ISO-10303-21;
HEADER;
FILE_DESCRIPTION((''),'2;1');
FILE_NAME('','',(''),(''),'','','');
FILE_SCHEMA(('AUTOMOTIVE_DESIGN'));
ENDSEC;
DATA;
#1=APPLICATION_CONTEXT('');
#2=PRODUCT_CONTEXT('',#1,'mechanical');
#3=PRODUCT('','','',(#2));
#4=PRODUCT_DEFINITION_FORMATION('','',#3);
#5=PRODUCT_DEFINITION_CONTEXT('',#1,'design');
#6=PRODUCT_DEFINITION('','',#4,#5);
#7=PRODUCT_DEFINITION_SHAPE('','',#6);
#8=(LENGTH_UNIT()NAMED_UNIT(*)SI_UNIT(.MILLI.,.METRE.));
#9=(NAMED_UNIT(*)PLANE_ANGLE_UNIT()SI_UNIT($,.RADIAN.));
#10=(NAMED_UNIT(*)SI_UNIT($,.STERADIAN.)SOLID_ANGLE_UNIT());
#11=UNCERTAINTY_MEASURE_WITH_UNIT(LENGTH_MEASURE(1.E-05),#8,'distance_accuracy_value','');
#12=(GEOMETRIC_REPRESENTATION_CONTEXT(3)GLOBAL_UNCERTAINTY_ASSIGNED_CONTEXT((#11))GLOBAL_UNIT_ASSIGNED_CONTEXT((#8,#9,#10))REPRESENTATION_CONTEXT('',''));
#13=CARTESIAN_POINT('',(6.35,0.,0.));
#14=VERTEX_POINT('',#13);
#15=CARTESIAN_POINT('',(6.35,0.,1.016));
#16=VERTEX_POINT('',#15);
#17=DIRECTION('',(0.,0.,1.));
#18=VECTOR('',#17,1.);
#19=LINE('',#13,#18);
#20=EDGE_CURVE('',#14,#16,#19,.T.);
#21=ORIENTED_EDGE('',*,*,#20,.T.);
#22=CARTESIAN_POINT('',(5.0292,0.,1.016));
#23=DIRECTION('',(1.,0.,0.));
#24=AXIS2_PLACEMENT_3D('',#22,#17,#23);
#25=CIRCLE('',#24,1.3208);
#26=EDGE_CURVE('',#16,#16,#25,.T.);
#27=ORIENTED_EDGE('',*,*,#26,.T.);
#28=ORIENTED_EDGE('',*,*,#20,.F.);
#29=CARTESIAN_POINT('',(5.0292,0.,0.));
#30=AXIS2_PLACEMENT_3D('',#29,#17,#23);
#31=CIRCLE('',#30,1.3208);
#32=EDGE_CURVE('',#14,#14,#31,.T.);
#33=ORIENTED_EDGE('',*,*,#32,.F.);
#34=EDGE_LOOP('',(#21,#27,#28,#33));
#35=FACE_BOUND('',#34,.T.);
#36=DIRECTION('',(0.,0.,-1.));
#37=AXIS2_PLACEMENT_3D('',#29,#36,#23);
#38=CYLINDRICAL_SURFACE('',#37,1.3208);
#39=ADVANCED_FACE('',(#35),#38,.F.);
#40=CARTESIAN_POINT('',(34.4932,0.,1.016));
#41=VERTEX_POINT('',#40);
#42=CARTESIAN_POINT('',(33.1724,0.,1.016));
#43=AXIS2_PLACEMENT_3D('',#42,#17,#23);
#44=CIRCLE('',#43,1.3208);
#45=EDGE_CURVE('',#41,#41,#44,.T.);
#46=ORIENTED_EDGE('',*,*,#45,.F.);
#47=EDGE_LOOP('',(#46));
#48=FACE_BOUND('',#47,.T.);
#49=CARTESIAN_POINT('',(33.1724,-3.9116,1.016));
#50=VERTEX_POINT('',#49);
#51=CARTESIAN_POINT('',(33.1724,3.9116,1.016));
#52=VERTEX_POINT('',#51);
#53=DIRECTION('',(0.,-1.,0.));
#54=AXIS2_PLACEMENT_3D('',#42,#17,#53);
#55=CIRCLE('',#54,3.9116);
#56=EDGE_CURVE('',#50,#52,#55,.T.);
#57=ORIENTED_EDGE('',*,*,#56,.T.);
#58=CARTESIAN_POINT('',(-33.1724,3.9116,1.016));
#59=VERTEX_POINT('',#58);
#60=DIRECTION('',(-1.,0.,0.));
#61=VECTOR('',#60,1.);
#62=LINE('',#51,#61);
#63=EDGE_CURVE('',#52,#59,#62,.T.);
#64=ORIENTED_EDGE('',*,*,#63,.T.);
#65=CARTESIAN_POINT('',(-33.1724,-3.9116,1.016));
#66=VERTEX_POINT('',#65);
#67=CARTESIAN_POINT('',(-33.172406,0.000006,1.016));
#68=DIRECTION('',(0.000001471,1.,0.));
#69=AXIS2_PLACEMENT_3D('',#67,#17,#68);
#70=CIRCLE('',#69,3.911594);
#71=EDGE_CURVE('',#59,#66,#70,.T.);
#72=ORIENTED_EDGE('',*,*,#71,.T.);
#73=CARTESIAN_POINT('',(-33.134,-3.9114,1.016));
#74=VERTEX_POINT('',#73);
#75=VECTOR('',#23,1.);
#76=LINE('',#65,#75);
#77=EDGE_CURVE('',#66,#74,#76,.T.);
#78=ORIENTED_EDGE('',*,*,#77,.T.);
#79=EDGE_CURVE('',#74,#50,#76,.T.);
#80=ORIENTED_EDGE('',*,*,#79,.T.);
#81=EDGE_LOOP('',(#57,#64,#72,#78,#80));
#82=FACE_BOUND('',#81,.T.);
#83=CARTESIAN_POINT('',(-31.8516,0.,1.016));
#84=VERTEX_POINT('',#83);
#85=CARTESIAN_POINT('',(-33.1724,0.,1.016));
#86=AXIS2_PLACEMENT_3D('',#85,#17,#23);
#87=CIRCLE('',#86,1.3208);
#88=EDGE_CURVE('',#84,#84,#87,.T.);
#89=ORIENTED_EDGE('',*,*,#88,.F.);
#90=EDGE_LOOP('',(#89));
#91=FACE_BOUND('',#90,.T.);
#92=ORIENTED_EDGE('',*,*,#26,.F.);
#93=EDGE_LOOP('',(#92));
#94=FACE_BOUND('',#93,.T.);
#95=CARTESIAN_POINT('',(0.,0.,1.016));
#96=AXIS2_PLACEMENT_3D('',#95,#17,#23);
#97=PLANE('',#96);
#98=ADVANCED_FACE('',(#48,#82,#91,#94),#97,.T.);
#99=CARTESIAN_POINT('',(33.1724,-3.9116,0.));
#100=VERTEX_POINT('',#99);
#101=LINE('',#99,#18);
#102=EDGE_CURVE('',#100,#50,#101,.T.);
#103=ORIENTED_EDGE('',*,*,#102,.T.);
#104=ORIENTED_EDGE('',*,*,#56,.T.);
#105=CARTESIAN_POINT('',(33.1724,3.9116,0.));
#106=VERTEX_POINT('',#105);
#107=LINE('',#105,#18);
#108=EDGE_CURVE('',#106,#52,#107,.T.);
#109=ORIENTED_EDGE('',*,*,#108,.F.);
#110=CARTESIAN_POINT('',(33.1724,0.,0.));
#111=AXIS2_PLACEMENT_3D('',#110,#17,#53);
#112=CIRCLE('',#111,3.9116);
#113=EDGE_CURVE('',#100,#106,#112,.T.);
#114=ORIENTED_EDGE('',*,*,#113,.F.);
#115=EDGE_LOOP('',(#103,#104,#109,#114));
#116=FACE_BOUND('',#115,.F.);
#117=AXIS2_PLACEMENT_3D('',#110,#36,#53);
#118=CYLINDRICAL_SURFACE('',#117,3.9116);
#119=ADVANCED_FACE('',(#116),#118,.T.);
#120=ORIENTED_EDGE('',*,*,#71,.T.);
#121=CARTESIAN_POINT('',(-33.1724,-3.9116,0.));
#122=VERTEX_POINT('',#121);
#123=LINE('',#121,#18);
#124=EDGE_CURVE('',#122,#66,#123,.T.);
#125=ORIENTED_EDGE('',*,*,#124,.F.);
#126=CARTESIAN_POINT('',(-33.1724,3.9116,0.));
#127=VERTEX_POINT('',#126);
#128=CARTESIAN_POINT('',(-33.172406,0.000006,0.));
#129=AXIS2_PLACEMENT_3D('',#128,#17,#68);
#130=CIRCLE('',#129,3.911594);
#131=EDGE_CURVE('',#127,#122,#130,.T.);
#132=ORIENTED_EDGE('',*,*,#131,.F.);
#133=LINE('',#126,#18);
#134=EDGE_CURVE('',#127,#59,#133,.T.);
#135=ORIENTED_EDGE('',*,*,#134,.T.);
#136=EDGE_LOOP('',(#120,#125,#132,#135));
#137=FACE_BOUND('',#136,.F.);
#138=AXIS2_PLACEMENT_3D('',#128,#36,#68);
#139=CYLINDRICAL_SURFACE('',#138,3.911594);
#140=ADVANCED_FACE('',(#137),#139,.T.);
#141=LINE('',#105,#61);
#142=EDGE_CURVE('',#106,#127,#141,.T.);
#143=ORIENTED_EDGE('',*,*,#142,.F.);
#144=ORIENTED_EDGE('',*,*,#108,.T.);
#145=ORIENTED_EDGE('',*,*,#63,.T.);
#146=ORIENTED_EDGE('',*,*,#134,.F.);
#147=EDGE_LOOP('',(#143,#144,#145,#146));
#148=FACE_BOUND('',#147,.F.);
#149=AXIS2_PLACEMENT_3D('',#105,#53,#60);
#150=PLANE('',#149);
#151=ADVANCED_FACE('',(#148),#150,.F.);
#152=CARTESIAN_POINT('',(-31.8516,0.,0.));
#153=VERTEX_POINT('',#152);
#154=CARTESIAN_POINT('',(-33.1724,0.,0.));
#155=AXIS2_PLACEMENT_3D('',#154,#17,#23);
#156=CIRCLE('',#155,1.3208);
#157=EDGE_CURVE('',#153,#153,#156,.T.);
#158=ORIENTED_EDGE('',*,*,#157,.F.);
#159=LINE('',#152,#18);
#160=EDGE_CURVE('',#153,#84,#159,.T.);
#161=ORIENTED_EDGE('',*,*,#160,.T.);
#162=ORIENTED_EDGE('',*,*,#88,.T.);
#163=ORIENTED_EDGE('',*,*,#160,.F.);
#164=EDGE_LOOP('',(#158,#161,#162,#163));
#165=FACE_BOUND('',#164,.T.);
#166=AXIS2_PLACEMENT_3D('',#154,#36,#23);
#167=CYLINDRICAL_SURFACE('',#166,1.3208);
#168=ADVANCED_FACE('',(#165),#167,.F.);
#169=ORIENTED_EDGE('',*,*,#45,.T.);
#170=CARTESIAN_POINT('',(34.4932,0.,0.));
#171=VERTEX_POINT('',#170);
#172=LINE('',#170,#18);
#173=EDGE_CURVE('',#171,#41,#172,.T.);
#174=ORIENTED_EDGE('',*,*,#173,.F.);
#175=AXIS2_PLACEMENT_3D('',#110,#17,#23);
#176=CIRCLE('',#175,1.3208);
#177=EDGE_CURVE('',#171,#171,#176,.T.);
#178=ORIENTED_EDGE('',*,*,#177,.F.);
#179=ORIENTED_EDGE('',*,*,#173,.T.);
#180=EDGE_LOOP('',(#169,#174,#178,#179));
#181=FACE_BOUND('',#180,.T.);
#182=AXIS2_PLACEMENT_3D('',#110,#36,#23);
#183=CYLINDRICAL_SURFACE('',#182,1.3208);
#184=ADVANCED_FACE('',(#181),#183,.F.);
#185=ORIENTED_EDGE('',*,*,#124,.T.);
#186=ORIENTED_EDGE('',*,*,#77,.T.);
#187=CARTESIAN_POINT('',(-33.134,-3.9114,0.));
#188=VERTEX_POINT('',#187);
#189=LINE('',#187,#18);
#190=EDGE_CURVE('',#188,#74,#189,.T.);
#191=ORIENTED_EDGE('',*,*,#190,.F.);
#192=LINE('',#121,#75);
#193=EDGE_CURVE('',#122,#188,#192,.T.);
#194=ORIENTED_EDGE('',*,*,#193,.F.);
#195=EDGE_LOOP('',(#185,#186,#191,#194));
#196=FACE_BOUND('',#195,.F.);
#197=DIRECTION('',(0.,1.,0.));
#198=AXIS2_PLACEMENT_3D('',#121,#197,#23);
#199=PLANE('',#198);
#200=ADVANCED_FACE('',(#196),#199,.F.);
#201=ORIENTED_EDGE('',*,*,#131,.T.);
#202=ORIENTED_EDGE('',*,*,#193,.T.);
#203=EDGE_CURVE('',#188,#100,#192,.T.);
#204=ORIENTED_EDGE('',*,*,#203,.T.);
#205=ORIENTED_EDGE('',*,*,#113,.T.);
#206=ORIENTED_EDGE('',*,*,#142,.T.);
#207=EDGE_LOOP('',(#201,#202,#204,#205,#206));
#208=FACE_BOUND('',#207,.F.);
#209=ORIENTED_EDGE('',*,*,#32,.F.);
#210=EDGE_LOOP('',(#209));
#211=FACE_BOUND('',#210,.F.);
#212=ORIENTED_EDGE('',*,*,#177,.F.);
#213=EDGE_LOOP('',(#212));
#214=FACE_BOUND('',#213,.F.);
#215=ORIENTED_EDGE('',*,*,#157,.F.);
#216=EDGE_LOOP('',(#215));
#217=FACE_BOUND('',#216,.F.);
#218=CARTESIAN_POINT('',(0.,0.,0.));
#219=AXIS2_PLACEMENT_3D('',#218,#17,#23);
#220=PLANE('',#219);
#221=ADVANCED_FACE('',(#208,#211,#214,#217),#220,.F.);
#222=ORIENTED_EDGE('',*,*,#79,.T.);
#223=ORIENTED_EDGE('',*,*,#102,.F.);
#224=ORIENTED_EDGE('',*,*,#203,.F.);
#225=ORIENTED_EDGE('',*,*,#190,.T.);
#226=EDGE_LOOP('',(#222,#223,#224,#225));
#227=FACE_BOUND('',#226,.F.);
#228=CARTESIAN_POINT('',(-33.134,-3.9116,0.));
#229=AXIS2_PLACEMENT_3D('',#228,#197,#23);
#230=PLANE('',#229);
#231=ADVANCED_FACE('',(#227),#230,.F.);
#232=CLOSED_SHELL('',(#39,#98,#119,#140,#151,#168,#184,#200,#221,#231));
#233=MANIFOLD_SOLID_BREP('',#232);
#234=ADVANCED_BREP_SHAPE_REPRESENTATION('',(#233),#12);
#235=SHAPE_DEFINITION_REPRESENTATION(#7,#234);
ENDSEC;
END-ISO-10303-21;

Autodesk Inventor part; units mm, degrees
ref_plane "YZ Plane" through (0, 0, 0) normal (1, 0, 0) x (0, 1, 0)
ref_plane "XZ Plane" through (0, 0, 0) normal (0, 1, 0) x (-1, 0, 0)
ref_plane "XY Plane" through (0, 0, 0) normal (0, 0, 1) x (1, 0, 0)
sketch "Sketch1" plane through (0, 0, 0) normal (0, 0, 1) x (1, 0, 0)
  line L0 (-33.1724, -3.9116) -> (33.1724, -3.9116)
  line L1 (33.1724, 3.9116) -> (-33.1724, 3.9116)
  line L2 (-33.1724, -3.9116) -> (33.1724, 3.9116) construction
  line L3 (33.1724, -3.9116) -> (-33.1724, 3.9116) construction
  arc A0 (-33.1724, 3.9116) -> (-33.134, -3.9114) centre (-33.1724, 0) ccw
  arc A1 (33.1724, -3.9116) -> (33.1724, 3.9116) centre (33.1724, 0) ccw
  circle A2 centre (-33.1724, 0) radius 1.3208
  circle A3 centre (5.0292, 0) radius 1.3208
  circle A4 centre (33.1724, 0) radius 1.3208
  point P0 (0, 0)
  dimension "d2" = 2.6416
  dimension "d3" = 2.6416
  dimension "d4" = 2.6416
  dimension "d5" = 35.56
extrude "Extrusion1" add sketch "Sketch1" along normal blind 1.016
properties part number "ArmConnector2Mini"
